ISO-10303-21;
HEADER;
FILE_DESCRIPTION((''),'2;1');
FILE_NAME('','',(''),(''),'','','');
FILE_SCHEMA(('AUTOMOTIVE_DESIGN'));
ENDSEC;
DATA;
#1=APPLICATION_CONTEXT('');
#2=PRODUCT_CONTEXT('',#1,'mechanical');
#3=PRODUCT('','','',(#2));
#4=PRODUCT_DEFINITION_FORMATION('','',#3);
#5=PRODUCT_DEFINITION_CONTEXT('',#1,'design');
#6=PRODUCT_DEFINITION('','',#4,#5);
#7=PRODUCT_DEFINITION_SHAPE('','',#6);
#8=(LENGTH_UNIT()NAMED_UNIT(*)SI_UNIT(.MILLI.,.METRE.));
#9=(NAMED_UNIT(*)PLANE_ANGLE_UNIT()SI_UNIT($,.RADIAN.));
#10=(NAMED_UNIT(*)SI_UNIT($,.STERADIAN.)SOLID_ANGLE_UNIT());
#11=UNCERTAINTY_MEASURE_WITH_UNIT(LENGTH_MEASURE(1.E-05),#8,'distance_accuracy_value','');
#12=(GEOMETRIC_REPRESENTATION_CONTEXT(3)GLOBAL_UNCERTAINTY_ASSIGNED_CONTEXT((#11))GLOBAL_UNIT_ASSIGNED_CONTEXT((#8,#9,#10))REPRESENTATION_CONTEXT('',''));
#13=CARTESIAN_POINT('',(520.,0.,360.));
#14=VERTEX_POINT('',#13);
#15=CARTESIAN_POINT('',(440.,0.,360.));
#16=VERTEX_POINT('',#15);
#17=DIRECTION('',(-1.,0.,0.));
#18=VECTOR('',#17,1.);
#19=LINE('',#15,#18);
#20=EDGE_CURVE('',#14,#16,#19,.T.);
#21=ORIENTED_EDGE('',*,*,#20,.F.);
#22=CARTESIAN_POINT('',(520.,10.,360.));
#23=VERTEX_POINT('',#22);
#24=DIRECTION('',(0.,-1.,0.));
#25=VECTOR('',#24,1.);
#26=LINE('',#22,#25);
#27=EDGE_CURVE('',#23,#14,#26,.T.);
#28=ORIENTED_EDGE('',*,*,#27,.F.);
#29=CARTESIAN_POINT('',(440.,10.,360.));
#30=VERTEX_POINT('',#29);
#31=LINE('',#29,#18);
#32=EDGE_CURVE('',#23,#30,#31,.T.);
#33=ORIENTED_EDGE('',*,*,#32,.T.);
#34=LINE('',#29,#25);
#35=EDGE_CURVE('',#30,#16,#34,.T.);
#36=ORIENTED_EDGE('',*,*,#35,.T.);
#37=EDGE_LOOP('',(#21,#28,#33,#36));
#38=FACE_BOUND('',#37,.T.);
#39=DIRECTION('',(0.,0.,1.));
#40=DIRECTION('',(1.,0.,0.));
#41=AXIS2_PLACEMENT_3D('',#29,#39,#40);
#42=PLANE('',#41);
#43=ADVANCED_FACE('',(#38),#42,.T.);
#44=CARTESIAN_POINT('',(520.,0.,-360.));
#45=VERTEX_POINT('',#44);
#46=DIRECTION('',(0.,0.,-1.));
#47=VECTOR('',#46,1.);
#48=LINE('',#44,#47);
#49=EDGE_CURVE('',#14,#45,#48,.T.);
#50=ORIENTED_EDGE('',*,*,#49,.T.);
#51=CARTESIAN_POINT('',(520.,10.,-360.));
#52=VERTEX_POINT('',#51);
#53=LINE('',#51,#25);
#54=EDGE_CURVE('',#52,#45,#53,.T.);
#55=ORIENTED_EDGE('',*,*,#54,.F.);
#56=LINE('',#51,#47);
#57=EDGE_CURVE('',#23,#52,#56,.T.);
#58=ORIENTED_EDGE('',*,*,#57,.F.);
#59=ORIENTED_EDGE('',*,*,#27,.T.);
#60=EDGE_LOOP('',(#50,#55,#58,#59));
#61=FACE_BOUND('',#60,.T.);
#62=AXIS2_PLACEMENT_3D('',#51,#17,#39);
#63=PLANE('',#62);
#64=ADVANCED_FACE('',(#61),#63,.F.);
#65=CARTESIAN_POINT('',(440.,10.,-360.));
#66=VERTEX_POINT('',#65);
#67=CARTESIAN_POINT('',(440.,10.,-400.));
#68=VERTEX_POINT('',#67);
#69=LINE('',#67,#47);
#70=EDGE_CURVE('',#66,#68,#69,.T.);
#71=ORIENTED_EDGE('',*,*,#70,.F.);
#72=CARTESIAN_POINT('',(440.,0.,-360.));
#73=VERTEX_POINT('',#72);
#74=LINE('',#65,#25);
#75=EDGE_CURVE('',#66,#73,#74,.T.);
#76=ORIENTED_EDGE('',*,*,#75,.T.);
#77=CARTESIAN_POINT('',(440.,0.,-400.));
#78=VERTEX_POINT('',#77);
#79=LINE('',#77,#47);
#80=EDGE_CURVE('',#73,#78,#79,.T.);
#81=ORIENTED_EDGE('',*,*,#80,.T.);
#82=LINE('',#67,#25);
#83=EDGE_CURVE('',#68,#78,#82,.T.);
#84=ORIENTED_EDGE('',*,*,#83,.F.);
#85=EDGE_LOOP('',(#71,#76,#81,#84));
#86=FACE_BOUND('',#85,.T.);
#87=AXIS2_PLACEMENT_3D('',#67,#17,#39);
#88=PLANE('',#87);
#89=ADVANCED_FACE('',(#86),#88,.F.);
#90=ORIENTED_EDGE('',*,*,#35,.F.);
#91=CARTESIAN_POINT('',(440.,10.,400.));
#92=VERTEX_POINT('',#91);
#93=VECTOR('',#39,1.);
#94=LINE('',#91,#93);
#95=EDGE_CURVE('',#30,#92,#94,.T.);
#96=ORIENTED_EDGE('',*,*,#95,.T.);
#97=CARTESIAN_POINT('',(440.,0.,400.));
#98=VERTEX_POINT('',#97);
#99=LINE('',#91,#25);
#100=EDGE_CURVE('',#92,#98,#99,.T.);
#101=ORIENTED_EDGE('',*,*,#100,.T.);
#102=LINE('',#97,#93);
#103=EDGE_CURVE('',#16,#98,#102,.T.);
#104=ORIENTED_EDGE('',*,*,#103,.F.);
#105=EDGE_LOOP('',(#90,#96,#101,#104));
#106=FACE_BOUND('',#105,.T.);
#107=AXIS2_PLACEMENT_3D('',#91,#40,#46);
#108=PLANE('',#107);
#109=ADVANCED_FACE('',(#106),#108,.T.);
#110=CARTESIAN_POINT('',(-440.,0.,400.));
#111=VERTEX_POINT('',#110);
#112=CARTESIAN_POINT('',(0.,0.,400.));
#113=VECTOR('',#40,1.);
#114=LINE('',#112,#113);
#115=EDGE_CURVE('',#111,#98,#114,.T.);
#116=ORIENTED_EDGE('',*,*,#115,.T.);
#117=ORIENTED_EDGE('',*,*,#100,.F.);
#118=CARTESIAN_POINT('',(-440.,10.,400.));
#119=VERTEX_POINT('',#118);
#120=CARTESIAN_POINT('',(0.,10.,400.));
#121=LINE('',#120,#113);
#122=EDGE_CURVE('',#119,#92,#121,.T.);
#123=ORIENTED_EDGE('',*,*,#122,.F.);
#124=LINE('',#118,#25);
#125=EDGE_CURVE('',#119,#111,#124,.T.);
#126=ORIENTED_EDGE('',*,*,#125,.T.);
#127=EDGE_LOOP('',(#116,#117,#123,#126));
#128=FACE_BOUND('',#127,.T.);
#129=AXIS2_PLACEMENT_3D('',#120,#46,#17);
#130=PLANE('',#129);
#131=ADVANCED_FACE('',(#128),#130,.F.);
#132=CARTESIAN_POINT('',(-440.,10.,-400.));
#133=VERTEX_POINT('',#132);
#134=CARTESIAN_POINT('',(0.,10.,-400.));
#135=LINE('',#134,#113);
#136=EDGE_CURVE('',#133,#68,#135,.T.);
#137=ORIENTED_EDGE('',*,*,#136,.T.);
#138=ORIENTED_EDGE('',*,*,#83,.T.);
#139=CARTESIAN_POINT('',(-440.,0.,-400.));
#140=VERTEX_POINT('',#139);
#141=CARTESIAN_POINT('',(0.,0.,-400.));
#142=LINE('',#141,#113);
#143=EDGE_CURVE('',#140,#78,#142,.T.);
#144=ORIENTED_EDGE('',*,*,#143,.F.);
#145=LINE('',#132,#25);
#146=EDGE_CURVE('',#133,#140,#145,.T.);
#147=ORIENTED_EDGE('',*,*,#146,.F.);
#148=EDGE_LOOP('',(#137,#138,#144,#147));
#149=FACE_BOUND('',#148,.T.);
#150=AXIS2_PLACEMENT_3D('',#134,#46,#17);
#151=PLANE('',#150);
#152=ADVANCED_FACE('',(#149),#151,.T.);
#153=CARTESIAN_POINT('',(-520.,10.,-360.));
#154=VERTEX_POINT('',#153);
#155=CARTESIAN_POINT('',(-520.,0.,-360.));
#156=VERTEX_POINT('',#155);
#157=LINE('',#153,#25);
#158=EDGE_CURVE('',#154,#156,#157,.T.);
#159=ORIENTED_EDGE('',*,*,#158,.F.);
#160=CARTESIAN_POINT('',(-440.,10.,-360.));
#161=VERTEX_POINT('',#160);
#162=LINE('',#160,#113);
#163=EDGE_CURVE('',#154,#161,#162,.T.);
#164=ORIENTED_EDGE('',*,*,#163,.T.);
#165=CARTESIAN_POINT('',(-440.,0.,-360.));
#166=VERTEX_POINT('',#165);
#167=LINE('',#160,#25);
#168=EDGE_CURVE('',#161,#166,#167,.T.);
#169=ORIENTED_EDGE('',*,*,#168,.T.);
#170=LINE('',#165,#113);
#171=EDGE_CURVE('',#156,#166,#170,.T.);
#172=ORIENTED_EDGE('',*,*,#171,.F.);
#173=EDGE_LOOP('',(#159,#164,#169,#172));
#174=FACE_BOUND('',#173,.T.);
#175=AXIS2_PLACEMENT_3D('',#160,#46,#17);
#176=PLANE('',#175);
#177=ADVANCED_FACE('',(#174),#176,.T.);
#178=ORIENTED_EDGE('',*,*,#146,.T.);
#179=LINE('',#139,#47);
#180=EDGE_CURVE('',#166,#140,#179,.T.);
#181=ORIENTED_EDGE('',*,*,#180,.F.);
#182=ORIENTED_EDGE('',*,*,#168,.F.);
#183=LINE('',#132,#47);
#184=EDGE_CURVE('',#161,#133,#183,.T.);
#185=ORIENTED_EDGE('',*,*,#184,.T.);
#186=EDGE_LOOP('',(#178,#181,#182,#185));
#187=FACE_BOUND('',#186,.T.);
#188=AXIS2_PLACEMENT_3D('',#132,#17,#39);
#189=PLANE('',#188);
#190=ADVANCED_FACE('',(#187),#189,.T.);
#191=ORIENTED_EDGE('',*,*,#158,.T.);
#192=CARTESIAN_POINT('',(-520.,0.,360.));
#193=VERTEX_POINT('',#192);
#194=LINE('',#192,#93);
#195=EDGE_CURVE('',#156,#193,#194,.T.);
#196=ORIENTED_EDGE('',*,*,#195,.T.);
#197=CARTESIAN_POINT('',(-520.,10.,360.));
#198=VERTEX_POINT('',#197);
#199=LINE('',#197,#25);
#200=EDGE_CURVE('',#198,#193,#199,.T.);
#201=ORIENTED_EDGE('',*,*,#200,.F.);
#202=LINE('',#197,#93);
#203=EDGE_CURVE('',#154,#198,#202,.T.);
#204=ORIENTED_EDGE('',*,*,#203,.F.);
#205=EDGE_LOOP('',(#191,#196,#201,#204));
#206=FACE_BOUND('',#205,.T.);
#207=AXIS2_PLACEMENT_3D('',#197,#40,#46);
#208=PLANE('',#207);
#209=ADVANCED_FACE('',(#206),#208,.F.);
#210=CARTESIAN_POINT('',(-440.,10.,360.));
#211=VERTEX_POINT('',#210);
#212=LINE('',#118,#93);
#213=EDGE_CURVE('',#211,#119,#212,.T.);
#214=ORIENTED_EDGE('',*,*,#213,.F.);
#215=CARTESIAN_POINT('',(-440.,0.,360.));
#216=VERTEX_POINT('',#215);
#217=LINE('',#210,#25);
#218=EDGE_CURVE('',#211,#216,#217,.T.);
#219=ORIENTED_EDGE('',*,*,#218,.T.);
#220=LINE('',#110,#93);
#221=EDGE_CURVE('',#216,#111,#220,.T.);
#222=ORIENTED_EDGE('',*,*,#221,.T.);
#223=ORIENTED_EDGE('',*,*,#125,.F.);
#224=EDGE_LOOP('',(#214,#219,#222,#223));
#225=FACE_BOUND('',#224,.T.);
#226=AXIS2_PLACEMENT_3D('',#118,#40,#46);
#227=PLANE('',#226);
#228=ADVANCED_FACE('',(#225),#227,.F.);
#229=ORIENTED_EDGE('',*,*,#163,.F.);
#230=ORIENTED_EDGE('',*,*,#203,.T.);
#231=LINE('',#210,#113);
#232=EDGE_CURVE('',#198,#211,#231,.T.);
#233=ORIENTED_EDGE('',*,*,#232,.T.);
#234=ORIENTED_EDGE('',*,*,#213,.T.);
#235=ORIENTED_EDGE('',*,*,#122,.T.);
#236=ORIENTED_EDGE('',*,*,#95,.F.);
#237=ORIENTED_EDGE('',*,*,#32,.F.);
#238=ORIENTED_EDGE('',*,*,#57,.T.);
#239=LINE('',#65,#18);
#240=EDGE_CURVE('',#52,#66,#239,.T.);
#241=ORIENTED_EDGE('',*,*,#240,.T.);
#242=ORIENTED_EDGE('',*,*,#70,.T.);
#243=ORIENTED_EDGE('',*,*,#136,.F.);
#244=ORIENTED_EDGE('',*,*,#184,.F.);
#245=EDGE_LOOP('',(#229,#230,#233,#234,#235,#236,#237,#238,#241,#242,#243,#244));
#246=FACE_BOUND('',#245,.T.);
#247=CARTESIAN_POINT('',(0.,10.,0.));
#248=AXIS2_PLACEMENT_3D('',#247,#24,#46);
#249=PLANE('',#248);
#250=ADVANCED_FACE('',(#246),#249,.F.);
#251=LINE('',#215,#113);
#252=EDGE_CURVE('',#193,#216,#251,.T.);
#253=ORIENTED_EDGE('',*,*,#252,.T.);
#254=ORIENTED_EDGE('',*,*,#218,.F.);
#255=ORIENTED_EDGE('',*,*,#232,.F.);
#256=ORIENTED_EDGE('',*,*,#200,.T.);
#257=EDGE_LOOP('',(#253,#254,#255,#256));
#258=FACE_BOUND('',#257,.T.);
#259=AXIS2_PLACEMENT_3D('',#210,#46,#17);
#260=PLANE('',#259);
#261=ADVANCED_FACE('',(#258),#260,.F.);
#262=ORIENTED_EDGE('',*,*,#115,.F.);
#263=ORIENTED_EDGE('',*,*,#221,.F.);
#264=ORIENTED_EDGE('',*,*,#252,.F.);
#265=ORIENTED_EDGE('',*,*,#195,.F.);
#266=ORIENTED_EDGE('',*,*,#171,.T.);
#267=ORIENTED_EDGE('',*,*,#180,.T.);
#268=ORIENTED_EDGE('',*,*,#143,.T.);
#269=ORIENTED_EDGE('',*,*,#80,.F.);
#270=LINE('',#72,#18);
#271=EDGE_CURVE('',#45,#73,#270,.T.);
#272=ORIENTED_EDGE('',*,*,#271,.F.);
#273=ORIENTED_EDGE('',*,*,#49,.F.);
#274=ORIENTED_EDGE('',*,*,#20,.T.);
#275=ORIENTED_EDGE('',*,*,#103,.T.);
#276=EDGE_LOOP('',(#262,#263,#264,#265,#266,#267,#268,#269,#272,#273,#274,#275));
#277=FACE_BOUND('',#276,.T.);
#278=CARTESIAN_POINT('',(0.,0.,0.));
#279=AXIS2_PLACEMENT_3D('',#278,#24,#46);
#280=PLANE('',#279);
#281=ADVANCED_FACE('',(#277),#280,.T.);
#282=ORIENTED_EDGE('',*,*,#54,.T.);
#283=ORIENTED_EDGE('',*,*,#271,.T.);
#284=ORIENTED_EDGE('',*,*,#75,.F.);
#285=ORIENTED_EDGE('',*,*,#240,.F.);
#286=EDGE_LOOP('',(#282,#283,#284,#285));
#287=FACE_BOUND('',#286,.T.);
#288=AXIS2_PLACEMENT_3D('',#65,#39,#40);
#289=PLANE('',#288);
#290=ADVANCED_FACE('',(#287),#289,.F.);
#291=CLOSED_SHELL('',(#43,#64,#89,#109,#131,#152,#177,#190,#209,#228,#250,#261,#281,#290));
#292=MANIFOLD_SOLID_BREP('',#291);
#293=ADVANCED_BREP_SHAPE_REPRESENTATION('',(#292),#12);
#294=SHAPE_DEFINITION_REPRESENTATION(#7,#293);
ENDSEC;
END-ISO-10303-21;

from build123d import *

# Parameters (mm, degrees)
BOSS_EXTRUDE1_DEPTH  = 10
MIRROR2_COPY_1_DEPTH = 10


with BuildPart() as part:
    # Sketch1 → Boss-Extrude1 (new body)
    with BuildSketch(Plane(origin=(0, 0, 0), x_dir=(1, 0, 0), z_dir=(0, 1, 0))):
        Polygon((0, 0), (0, -400), (-440, -400), (-440, -360), (-520, -360), (-520, 0), align=None)
    boss_extrude1 = extrude(amount=BOSS_EXTRUDE1_DEPTH)

    # Mirror1: Boss-Extrude1 across plane
    add(boss_extrude1.mirror(Plane.XY))

    # Mirror2: Boss-Extrude1 across plane
    add(boss_extrude1.mirror(Plane(origin=(0, 0, 0), x_dir=(0, 0, 1), z_dir=(1, 0, 0))))

    # Mirror2 copy 1 sketch → Mirror2 copy 1 (add)
    with BuildSketch(Plane(origin=(0, 0, 0), x_dir=(-1, 0, 0), z_dir=(0, 1, 0))):
        Polygon((0, 0), (0, -400), (-440, -400), (-440, -360), (-520, -360), (-520, 0), align=None)
    extrude(amount=MIRROR2_COPY_1_DEPTH)


solid = part.part
